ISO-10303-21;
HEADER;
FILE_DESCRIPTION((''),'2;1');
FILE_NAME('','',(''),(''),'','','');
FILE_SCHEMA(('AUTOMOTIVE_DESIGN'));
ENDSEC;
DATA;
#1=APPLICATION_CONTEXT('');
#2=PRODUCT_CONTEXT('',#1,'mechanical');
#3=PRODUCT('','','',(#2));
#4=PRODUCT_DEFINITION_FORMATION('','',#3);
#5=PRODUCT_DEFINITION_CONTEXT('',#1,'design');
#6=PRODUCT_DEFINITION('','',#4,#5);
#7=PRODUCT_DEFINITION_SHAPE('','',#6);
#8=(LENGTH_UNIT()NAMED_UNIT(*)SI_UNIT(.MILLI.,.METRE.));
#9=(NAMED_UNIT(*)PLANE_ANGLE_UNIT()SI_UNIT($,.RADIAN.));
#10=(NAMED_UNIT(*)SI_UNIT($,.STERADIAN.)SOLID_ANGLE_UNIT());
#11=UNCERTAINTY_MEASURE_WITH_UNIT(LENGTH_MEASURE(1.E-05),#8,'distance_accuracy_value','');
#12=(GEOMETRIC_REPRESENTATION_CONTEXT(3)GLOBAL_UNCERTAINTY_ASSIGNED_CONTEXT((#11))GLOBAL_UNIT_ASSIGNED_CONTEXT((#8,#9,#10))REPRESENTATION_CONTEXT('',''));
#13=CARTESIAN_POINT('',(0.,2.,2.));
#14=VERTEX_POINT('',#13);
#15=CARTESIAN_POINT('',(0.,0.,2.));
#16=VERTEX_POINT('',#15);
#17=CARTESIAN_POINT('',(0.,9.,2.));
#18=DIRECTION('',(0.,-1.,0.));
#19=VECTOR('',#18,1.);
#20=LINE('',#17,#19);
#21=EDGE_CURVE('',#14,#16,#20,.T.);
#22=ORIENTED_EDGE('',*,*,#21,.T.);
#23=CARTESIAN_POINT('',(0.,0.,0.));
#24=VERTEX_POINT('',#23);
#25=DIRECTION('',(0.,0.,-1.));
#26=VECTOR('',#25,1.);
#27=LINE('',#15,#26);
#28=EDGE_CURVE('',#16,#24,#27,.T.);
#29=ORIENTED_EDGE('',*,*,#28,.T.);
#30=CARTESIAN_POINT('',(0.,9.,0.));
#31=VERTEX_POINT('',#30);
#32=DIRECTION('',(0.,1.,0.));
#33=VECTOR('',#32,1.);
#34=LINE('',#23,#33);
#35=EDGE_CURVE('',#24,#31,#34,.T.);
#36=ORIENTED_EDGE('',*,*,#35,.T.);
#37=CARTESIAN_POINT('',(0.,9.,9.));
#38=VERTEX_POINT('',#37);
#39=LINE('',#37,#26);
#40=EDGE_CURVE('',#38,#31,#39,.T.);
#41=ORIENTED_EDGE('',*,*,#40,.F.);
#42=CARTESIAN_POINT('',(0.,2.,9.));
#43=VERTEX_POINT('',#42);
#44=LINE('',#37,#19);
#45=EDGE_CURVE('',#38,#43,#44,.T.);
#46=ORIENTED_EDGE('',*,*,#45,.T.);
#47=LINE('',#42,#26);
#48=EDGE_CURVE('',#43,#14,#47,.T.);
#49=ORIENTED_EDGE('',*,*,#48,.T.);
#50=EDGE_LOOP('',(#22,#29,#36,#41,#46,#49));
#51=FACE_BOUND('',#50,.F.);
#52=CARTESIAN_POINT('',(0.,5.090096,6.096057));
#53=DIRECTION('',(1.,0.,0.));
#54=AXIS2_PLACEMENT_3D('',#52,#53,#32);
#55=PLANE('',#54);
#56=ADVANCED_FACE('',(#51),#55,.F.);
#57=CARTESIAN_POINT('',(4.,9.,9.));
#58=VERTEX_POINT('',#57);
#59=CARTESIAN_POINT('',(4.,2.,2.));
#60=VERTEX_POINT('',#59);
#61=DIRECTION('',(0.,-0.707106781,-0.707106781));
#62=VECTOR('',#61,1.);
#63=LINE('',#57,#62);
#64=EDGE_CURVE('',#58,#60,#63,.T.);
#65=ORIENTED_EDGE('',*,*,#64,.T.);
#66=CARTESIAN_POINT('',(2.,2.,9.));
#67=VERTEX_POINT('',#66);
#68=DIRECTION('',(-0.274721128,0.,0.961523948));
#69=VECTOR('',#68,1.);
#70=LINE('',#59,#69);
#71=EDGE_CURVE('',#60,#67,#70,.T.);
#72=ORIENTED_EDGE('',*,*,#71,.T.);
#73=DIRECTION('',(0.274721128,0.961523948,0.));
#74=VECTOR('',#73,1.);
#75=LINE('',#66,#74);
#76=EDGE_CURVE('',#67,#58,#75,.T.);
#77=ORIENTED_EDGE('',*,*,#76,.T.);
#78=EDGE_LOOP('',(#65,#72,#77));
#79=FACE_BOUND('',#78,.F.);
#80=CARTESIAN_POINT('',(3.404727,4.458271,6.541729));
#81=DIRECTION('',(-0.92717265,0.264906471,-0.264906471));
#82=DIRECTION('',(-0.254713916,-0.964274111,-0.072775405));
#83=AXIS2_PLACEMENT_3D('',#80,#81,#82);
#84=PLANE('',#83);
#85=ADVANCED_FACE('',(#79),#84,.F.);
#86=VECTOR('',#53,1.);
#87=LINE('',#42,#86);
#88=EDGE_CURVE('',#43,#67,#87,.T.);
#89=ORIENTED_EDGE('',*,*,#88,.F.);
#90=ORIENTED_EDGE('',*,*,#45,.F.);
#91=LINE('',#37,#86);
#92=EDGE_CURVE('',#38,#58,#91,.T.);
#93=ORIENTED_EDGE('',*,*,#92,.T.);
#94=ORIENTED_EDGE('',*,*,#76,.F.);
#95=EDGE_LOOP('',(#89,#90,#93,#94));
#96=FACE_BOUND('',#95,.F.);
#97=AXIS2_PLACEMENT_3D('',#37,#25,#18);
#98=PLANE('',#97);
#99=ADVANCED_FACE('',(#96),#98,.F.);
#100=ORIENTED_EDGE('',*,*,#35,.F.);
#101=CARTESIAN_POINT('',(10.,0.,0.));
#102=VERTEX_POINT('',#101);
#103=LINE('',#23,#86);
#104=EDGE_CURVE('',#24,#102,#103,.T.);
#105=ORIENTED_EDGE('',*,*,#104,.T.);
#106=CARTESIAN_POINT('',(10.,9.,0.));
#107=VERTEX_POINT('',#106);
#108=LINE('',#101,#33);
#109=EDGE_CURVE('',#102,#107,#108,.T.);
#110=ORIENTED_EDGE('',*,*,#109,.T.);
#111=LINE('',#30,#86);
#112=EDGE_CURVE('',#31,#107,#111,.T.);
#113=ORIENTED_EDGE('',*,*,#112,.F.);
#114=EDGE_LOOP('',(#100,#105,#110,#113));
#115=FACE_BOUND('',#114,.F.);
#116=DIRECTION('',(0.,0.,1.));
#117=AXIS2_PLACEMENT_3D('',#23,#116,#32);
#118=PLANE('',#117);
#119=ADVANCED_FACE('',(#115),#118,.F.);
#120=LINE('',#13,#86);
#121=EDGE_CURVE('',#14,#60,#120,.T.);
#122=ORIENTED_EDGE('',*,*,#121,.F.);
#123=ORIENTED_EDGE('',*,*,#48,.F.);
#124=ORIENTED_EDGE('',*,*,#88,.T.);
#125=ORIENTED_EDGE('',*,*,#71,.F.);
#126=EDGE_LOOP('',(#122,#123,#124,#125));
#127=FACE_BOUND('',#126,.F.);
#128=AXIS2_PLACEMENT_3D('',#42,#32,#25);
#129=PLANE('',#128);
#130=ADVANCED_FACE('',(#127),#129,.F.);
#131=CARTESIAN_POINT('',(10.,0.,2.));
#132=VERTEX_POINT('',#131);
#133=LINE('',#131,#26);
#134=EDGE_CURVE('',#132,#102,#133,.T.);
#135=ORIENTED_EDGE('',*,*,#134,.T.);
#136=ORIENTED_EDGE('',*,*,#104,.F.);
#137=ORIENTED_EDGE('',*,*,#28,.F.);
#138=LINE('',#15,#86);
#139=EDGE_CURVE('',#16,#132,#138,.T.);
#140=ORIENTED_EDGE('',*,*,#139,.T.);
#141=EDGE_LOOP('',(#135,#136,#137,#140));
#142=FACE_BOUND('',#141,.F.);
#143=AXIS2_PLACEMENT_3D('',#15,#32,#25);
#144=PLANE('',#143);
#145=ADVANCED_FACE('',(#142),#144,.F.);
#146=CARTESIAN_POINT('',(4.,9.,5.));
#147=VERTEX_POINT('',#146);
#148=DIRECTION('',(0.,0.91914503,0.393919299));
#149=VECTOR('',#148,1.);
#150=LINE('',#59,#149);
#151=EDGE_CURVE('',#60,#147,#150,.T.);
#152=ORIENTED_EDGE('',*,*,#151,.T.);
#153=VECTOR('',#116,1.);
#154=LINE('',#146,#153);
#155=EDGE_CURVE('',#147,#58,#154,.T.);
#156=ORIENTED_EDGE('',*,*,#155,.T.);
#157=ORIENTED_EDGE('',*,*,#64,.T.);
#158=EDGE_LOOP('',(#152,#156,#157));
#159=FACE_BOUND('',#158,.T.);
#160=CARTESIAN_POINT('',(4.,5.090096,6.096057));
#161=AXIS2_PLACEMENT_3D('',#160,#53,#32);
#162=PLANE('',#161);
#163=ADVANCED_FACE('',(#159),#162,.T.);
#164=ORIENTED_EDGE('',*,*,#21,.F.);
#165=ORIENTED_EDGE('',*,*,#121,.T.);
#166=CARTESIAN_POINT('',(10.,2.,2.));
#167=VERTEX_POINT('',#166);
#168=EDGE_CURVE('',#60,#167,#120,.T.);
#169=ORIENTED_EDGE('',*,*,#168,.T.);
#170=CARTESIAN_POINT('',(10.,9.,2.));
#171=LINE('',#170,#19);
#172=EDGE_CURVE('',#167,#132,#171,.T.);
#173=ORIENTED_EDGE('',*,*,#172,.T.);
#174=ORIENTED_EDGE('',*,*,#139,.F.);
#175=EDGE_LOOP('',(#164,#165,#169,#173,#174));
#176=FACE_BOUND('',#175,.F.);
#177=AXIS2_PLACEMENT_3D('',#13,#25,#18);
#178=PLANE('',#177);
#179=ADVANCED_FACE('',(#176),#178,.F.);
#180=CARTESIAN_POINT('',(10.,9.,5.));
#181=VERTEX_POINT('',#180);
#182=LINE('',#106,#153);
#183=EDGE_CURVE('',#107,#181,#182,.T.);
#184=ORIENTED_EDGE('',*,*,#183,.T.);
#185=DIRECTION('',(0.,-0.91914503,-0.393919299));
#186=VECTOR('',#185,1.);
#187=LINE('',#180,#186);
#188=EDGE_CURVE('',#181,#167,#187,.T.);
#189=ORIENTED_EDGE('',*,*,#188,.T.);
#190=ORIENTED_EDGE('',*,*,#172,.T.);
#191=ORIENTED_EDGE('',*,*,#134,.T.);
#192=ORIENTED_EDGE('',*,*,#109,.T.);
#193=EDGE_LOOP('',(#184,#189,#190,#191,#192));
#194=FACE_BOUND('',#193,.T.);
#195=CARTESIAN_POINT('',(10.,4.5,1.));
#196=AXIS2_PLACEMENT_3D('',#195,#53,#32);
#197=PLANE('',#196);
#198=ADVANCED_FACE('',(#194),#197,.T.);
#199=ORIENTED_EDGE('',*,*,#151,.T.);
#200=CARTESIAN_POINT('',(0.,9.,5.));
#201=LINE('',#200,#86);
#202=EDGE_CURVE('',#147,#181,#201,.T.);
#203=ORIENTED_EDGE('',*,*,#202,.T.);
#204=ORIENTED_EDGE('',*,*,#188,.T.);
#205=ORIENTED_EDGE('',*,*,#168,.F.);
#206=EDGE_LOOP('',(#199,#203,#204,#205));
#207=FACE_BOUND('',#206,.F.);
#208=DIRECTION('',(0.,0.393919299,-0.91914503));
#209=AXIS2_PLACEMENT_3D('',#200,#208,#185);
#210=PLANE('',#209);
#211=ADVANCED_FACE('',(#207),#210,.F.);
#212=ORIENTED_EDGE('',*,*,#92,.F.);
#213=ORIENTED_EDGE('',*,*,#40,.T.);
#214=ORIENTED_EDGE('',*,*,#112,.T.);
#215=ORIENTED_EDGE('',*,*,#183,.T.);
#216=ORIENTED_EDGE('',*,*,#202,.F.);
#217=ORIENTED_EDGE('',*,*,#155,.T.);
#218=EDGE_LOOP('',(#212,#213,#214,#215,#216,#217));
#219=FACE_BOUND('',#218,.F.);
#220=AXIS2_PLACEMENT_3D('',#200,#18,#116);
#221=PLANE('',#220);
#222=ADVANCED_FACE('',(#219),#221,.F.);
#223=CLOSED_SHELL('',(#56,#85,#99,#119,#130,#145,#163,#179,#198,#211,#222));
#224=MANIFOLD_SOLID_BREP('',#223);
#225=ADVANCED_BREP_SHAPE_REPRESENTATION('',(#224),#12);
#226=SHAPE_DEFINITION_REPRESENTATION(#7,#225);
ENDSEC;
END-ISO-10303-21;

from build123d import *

# Parameters (mm, degrees)
F1_DEPTH = 10
F2_DEPTH = 4
F6_DEPTH = 7.9481941424


with BuildPart() as f1:
    # F0 (on Right) → F1 (new body)
    with BuildSketch(Plane.YZ):
        Polygon((0, 2), (0, 0), (9, 0), (9, 2), (2, 2), align=None)
        Polygon((2, 2), (9, 2), (9, 5), align=None)
    extrude(amount=F1_DEPTH)

    # F0 (on Right) → F2 (join)
    with BuildSketch(Plane.YZ):
        Polygon((2, 9), (2, 2), (9, 5), (9, 9), align=None)
    extrude(amount=F2_DEPTH)

    # F5 (on 3pt) → F6 (cut, through all)
    with BuildSketch(Plane(origin=(3.4385964912, -0.9824561404, 0.9824561404), x_dir=(-0.2547139161, -0.9642741111, -0.0727754046), z_dir=(-0.9271726499, 0.2649064714, -0.2649064714))):
        Polygon((-3.0929546961, 0.8241633837), (-3.0929546961, 8.104273273), (-10.3523013063, 7.5548310172), align=None)
    extrude(amount=-F6_DEPTH, mode=Mode.SUBTRACT)


solid = f1.part
